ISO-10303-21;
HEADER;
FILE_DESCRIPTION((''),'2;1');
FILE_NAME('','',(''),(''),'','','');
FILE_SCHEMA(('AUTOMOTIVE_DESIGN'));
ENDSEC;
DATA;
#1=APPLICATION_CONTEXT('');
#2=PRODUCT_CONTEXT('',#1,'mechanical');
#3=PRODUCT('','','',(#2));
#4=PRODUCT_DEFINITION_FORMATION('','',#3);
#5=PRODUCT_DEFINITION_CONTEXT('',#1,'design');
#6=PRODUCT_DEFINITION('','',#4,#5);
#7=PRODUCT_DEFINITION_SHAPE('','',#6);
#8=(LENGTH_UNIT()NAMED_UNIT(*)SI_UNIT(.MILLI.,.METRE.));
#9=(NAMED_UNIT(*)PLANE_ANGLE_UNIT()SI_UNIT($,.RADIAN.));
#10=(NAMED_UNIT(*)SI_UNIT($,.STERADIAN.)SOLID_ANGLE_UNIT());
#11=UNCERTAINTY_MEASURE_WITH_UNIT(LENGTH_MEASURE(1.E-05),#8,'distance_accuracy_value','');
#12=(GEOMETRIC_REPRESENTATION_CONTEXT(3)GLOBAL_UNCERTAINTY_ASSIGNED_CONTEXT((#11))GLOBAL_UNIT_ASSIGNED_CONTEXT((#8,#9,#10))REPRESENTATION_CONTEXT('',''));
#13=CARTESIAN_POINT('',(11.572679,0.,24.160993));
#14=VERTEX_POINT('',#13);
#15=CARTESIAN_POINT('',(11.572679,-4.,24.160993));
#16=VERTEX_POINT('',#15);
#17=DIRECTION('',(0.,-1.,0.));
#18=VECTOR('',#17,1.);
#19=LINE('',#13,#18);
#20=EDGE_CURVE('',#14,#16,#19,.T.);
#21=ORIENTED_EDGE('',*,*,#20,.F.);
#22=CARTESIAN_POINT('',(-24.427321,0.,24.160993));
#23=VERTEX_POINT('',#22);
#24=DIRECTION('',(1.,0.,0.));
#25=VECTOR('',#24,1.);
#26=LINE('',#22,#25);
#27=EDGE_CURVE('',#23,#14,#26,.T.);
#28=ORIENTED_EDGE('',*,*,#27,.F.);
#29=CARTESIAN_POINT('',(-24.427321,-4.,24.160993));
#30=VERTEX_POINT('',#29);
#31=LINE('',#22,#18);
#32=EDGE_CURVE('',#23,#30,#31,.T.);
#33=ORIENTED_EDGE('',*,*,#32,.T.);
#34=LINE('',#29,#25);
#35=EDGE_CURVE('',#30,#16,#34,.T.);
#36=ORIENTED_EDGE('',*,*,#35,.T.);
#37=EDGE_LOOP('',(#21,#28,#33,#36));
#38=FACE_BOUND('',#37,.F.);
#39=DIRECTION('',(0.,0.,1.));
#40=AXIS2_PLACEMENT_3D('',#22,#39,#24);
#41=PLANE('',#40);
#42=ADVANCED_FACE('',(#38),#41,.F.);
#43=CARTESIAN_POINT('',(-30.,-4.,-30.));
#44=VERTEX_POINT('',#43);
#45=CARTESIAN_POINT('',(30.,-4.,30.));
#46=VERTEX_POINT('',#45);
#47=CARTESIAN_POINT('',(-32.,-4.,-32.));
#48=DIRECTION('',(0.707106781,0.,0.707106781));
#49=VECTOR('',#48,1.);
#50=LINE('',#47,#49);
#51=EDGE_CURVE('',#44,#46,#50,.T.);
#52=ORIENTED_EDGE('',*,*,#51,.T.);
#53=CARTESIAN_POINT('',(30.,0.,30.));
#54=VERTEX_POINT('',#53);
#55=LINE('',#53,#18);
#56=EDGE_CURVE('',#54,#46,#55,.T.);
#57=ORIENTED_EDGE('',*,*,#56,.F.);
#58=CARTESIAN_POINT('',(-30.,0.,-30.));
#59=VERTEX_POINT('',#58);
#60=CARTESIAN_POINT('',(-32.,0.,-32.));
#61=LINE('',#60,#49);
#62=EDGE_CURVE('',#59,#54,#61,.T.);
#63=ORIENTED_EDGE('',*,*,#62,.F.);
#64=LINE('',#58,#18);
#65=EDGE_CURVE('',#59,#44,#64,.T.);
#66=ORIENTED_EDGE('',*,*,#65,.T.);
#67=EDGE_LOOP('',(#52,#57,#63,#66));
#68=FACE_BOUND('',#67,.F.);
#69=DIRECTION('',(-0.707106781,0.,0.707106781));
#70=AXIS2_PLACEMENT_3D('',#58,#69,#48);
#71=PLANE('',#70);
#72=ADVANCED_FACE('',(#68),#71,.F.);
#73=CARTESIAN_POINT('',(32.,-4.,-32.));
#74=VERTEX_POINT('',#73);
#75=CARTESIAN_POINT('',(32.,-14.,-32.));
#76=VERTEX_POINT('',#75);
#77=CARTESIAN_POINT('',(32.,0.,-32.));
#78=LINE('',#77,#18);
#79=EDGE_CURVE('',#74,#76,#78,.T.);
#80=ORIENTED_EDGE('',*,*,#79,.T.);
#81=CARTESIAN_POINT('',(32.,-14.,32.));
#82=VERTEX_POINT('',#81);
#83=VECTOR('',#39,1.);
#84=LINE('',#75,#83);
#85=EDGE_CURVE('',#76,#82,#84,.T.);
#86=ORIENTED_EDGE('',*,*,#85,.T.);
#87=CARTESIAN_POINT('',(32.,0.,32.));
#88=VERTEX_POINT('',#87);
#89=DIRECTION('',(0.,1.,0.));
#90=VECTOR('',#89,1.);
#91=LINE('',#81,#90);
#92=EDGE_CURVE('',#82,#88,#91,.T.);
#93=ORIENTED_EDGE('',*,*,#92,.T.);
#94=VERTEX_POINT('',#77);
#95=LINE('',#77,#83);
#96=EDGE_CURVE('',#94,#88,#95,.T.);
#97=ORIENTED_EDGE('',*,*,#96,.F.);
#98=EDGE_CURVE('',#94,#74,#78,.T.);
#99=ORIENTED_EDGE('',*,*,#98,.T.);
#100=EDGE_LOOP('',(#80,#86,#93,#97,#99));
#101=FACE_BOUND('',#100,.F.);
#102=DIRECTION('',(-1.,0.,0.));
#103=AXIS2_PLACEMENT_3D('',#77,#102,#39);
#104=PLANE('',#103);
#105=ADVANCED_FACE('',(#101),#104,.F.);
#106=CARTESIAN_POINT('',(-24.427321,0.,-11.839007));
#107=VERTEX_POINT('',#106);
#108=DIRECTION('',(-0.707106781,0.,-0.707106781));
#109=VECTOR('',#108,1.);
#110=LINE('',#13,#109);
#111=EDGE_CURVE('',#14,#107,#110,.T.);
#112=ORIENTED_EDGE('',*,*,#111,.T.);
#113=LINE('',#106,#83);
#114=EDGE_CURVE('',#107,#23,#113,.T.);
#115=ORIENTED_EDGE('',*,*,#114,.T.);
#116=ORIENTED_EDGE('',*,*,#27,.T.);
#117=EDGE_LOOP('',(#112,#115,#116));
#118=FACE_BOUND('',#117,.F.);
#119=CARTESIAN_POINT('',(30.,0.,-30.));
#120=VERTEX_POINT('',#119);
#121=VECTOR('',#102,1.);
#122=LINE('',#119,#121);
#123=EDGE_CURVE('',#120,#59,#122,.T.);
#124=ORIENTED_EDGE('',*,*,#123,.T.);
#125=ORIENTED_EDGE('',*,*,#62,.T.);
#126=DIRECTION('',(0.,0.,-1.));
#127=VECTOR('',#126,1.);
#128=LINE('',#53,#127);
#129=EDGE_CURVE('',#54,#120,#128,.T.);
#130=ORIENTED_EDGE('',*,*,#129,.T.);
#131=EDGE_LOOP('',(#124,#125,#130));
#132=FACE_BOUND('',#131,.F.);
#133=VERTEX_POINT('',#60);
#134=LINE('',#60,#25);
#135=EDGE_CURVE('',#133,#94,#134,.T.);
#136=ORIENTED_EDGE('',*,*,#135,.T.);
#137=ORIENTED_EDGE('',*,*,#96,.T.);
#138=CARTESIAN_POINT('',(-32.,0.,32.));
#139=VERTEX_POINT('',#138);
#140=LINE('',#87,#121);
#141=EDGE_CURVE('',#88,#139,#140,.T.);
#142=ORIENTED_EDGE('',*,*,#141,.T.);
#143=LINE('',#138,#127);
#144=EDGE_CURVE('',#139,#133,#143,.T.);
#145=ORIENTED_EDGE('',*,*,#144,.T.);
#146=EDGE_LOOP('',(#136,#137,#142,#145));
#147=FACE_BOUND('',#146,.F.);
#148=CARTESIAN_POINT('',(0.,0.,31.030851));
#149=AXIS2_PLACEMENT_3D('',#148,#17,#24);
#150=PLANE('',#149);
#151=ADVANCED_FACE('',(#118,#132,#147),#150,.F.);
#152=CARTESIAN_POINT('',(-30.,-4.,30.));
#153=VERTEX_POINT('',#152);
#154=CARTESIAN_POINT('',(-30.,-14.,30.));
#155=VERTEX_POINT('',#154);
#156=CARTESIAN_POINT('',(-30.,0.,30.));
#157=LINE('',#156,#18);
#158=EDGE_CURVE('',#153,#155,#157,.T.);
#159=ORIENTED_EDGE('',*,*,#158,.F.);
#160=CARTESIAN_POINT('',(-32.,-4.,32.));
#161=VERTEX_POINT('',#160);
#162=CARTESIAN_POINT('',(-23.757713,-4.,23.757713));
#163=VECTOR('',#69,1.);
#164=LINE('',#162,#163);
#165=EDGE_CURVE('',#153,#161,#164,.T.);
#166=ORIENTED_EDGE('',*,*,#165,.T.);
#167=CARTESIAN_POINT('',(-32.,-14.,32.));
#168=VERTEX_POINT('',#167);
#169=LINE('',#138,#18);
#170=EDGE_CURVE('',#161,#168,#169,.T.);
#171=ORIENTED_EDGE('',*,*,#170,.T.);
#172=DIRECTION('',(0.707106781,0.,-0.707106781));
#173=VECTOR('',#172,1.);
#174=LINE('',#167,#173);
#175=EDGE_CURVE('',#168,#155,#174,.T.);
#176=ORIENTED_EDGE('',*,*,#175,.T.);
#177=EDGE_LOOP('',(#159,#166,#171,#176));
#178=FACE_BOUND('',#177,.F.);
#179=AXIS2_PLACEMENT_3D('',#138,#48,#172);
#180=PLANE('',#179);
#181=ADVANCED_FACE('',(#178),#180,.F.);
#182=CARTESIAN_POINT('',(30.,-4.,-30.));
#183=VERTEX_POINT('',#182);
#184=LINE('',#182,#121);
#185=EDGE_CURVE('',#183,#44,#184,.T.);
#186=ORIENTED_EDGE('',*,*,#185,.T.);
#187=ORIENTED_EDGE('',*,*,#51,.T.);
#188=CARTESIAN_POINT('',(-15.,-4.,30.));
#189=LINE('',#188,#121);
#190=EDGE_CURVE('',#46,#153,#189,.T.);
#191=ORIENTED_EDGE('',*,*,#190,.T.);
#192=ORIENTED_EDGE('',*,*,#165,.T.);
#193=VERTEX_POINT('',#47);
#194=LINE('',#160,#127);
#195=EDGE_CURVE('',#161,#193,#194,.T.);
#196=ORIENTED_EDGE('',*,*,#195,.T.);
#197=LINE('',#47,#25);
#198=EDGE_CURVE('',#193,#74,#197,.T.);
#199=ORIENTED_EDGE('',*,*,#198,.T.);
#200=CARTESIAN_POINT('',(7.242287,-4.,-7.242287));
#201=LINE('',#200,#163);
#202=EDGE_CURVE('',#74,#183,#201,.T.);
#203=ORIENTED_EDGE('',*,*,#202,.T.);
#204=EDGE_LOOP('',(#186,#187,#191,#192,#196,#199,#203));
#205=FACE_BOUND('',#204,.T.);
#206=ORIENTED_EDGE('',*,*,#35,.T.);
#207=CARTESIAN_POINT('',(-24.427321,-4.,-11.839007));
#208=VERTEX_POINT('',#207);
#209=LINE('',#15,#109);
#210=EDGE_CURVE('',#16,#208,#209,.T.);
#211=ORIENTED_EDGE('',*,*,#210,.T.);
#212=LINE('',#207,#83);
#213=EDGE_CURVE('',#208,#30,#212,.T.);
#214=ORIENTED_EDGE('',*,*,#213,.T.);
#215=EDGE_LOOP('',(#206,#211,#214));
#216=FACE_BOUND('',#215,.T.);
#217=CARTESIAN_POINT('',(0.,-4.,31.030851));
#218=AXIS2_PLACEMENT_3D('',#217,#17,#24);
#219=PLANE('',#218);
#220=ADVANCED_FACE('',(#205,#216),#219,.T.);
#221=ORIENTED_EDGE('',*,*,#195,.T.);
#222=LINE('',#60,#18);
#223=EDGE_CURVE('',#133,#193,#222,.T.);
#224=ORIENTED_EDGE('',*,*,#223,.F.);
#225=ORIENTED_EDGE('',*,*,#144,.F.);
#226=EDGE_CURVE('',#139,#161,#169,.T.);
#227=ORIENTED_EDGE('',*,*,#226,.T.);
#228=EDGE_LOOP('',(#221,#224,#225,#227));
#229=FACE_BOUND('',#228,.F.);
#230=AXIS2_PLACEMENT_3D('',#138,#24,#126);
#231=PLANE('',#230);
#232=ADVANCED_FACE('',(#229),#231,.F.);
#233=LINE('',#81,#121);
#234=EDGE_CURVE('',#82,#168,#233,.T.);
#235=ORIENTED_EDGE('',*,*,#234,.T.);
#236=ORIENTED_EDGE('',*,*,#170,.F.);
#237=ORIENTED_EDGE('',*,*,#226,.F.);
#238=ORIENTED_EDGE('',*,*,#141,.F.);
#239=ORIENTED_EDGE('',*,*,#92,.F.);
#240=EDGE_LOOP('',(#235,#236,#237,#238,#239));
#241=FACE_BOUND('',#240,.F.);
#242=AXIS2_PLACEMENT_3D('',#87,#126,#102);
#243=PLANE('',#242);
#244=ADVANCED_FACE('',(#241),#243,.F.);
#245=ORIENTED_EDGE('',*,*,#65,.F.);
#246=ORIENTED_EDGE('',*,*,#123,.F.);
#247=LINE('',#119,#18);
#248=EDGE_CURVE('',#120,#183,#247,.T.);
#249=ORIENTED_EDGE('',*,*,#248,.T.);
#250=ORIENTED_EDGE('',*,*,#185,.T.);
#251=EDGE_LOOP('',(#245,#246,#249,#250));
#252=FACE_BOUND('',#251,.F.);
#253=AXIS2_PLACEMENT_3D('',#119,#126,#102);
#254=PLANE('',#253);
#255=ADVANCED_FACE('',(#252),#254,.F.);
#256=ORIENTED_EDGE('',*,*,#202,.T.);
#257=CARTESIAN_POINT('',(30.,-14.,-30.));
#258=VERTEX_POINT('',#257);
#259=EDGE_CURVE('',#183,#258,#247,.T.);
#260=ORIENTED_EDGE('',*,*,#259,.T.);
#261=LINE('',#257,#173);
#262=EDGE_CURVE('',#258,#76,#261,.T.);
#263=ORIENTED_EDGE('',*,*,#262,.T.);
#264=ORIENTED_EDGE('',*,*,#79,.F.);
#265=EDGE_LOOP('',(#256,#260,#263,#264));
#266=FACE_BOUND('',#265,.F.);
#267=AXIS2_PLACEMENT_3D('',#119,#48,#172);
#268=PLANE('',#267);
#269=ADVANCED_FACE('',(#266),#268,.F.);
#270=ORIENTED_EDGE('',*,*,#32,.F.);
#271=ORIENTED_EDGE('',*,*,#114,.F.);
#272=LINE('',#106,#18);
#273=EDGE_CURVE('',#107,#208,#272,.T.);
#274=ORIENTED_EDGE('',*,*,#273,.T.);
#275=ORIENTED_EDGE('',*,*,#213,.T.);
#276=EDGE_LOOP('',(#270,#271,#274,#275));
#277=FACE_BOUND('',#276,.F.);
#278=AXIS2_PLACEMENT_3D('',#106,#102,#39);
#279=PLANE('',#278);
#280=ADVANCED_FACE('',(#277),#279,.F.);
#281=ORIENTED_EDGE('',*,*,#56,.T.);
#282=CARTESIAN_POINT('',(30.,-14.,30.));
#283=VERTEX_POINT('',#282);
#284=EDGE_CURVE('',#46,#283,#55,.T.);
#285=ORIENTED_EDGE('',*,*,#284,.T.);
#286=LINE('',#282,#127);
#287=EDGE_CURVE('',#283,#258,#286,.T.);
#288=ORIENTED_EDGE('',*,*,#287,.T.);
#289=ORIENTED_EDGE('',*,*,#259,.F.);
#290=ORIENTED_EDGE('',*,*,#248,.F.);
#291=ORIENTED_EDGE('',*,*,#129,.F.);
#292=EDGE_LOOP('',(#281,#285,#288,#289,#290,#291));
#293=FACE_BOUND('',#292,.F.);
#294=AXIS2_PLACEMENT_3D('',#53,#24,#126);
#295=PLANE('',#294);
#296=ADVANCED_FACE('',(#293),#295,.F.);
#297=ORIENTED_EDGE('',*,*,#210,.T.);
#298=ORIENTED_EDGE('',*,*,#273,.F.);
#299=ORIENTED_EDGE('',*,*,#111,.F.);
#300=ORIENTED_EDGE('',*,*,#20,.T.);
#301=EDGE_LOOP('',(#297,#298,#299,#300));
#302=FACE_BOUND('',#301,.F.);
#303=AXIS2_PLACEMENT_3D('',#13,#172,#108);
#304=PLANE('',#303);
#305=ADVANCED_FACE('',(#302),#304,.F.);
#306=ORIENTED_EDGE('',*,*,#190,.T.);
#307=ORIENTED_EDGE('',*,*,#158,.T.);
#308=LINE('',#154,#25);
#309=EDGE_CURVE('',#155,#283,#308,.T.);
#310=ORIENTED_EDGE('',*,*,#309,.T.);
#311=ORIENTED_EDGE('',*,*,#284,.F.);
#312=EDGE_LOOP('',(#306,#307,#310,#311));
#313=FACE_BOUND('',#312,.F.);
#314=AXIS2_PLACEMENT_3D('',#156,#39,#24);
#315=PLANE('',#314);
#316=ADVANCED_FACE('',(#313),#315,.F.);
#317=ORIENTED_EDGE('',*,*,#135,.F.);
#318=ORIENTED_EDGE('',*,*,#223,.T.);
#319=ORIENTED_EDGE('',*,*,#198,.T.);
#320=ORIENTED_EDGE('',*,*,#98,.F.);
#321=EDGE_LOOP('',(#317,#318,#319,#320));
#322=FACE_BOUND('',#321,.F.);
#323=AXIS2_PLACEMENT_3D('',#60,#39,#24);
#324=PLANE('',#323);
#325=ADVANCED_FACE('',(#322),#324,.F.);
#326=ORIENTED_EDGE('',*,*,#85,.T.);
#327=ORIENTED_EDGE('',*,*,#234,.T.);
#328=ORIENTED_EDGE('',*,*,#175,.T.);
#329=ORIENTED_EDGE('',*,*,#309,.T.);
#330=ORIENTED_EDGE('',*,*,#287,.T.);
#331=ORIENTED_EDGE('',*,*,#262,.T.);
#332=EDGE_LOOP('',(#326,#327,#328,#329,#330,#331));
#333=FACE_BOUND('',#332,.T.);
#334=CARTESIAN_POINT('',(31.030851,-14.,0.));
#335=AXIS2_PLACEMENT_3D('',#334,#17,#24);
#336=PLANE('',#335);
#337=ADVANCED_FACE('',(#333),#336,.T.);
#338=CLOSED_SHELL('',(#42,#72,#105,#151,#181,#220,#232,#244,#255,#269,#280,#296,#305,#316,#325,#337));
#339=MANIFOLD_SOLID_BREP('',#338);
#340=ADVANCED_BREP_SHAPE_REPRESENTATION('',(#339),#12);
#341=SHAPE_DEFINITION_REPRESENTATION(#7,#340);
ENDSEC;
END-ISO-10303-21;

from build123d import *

# Parameters (mm, degrees)
F1_DEPTH = 4
F2_DEPTH = 14


with BuildPart() as f1:
    # F0 (on Front) → F1 (new body)
    with BuildSketch(Plane.XZ):
        Polygon((-32, 32), (-30, 30), (30, 30), (32, 32), align=None)
        Polygon((-30, -30), (-30, 30), (-32, 32), (-32, -32), align=None)
        Polygon((30, 30), (-30, 30), (-30, -30), align=None)
        Polygon((-24.4273208082, -11.8390070274), (-24.4273208082, 24.1609929726), (11.5726791918, 24.1609929726), align=None, mode=Mode.SUBTRACT)
        Polygon((32, 32), (30, 30), (30, -30), (32, -32), align=None)
        Polygon((30, -30), (-30, -30), (-32, -32), (32, -32), align=None)
    extrude(amount=F1_DEPTH)

    # F0 (on Front) → F2 (join)
    with BuildSketch(Plane.XZ):
        Polygon((32, 32), (30, 30), (30, -30), (32, -32), align=None)
        Polygon((-32, 32), (-30, 30), (30, 30), (32, 32), align=None)
    extrude(amount=F2_DEPTH)


solid = f1.part
